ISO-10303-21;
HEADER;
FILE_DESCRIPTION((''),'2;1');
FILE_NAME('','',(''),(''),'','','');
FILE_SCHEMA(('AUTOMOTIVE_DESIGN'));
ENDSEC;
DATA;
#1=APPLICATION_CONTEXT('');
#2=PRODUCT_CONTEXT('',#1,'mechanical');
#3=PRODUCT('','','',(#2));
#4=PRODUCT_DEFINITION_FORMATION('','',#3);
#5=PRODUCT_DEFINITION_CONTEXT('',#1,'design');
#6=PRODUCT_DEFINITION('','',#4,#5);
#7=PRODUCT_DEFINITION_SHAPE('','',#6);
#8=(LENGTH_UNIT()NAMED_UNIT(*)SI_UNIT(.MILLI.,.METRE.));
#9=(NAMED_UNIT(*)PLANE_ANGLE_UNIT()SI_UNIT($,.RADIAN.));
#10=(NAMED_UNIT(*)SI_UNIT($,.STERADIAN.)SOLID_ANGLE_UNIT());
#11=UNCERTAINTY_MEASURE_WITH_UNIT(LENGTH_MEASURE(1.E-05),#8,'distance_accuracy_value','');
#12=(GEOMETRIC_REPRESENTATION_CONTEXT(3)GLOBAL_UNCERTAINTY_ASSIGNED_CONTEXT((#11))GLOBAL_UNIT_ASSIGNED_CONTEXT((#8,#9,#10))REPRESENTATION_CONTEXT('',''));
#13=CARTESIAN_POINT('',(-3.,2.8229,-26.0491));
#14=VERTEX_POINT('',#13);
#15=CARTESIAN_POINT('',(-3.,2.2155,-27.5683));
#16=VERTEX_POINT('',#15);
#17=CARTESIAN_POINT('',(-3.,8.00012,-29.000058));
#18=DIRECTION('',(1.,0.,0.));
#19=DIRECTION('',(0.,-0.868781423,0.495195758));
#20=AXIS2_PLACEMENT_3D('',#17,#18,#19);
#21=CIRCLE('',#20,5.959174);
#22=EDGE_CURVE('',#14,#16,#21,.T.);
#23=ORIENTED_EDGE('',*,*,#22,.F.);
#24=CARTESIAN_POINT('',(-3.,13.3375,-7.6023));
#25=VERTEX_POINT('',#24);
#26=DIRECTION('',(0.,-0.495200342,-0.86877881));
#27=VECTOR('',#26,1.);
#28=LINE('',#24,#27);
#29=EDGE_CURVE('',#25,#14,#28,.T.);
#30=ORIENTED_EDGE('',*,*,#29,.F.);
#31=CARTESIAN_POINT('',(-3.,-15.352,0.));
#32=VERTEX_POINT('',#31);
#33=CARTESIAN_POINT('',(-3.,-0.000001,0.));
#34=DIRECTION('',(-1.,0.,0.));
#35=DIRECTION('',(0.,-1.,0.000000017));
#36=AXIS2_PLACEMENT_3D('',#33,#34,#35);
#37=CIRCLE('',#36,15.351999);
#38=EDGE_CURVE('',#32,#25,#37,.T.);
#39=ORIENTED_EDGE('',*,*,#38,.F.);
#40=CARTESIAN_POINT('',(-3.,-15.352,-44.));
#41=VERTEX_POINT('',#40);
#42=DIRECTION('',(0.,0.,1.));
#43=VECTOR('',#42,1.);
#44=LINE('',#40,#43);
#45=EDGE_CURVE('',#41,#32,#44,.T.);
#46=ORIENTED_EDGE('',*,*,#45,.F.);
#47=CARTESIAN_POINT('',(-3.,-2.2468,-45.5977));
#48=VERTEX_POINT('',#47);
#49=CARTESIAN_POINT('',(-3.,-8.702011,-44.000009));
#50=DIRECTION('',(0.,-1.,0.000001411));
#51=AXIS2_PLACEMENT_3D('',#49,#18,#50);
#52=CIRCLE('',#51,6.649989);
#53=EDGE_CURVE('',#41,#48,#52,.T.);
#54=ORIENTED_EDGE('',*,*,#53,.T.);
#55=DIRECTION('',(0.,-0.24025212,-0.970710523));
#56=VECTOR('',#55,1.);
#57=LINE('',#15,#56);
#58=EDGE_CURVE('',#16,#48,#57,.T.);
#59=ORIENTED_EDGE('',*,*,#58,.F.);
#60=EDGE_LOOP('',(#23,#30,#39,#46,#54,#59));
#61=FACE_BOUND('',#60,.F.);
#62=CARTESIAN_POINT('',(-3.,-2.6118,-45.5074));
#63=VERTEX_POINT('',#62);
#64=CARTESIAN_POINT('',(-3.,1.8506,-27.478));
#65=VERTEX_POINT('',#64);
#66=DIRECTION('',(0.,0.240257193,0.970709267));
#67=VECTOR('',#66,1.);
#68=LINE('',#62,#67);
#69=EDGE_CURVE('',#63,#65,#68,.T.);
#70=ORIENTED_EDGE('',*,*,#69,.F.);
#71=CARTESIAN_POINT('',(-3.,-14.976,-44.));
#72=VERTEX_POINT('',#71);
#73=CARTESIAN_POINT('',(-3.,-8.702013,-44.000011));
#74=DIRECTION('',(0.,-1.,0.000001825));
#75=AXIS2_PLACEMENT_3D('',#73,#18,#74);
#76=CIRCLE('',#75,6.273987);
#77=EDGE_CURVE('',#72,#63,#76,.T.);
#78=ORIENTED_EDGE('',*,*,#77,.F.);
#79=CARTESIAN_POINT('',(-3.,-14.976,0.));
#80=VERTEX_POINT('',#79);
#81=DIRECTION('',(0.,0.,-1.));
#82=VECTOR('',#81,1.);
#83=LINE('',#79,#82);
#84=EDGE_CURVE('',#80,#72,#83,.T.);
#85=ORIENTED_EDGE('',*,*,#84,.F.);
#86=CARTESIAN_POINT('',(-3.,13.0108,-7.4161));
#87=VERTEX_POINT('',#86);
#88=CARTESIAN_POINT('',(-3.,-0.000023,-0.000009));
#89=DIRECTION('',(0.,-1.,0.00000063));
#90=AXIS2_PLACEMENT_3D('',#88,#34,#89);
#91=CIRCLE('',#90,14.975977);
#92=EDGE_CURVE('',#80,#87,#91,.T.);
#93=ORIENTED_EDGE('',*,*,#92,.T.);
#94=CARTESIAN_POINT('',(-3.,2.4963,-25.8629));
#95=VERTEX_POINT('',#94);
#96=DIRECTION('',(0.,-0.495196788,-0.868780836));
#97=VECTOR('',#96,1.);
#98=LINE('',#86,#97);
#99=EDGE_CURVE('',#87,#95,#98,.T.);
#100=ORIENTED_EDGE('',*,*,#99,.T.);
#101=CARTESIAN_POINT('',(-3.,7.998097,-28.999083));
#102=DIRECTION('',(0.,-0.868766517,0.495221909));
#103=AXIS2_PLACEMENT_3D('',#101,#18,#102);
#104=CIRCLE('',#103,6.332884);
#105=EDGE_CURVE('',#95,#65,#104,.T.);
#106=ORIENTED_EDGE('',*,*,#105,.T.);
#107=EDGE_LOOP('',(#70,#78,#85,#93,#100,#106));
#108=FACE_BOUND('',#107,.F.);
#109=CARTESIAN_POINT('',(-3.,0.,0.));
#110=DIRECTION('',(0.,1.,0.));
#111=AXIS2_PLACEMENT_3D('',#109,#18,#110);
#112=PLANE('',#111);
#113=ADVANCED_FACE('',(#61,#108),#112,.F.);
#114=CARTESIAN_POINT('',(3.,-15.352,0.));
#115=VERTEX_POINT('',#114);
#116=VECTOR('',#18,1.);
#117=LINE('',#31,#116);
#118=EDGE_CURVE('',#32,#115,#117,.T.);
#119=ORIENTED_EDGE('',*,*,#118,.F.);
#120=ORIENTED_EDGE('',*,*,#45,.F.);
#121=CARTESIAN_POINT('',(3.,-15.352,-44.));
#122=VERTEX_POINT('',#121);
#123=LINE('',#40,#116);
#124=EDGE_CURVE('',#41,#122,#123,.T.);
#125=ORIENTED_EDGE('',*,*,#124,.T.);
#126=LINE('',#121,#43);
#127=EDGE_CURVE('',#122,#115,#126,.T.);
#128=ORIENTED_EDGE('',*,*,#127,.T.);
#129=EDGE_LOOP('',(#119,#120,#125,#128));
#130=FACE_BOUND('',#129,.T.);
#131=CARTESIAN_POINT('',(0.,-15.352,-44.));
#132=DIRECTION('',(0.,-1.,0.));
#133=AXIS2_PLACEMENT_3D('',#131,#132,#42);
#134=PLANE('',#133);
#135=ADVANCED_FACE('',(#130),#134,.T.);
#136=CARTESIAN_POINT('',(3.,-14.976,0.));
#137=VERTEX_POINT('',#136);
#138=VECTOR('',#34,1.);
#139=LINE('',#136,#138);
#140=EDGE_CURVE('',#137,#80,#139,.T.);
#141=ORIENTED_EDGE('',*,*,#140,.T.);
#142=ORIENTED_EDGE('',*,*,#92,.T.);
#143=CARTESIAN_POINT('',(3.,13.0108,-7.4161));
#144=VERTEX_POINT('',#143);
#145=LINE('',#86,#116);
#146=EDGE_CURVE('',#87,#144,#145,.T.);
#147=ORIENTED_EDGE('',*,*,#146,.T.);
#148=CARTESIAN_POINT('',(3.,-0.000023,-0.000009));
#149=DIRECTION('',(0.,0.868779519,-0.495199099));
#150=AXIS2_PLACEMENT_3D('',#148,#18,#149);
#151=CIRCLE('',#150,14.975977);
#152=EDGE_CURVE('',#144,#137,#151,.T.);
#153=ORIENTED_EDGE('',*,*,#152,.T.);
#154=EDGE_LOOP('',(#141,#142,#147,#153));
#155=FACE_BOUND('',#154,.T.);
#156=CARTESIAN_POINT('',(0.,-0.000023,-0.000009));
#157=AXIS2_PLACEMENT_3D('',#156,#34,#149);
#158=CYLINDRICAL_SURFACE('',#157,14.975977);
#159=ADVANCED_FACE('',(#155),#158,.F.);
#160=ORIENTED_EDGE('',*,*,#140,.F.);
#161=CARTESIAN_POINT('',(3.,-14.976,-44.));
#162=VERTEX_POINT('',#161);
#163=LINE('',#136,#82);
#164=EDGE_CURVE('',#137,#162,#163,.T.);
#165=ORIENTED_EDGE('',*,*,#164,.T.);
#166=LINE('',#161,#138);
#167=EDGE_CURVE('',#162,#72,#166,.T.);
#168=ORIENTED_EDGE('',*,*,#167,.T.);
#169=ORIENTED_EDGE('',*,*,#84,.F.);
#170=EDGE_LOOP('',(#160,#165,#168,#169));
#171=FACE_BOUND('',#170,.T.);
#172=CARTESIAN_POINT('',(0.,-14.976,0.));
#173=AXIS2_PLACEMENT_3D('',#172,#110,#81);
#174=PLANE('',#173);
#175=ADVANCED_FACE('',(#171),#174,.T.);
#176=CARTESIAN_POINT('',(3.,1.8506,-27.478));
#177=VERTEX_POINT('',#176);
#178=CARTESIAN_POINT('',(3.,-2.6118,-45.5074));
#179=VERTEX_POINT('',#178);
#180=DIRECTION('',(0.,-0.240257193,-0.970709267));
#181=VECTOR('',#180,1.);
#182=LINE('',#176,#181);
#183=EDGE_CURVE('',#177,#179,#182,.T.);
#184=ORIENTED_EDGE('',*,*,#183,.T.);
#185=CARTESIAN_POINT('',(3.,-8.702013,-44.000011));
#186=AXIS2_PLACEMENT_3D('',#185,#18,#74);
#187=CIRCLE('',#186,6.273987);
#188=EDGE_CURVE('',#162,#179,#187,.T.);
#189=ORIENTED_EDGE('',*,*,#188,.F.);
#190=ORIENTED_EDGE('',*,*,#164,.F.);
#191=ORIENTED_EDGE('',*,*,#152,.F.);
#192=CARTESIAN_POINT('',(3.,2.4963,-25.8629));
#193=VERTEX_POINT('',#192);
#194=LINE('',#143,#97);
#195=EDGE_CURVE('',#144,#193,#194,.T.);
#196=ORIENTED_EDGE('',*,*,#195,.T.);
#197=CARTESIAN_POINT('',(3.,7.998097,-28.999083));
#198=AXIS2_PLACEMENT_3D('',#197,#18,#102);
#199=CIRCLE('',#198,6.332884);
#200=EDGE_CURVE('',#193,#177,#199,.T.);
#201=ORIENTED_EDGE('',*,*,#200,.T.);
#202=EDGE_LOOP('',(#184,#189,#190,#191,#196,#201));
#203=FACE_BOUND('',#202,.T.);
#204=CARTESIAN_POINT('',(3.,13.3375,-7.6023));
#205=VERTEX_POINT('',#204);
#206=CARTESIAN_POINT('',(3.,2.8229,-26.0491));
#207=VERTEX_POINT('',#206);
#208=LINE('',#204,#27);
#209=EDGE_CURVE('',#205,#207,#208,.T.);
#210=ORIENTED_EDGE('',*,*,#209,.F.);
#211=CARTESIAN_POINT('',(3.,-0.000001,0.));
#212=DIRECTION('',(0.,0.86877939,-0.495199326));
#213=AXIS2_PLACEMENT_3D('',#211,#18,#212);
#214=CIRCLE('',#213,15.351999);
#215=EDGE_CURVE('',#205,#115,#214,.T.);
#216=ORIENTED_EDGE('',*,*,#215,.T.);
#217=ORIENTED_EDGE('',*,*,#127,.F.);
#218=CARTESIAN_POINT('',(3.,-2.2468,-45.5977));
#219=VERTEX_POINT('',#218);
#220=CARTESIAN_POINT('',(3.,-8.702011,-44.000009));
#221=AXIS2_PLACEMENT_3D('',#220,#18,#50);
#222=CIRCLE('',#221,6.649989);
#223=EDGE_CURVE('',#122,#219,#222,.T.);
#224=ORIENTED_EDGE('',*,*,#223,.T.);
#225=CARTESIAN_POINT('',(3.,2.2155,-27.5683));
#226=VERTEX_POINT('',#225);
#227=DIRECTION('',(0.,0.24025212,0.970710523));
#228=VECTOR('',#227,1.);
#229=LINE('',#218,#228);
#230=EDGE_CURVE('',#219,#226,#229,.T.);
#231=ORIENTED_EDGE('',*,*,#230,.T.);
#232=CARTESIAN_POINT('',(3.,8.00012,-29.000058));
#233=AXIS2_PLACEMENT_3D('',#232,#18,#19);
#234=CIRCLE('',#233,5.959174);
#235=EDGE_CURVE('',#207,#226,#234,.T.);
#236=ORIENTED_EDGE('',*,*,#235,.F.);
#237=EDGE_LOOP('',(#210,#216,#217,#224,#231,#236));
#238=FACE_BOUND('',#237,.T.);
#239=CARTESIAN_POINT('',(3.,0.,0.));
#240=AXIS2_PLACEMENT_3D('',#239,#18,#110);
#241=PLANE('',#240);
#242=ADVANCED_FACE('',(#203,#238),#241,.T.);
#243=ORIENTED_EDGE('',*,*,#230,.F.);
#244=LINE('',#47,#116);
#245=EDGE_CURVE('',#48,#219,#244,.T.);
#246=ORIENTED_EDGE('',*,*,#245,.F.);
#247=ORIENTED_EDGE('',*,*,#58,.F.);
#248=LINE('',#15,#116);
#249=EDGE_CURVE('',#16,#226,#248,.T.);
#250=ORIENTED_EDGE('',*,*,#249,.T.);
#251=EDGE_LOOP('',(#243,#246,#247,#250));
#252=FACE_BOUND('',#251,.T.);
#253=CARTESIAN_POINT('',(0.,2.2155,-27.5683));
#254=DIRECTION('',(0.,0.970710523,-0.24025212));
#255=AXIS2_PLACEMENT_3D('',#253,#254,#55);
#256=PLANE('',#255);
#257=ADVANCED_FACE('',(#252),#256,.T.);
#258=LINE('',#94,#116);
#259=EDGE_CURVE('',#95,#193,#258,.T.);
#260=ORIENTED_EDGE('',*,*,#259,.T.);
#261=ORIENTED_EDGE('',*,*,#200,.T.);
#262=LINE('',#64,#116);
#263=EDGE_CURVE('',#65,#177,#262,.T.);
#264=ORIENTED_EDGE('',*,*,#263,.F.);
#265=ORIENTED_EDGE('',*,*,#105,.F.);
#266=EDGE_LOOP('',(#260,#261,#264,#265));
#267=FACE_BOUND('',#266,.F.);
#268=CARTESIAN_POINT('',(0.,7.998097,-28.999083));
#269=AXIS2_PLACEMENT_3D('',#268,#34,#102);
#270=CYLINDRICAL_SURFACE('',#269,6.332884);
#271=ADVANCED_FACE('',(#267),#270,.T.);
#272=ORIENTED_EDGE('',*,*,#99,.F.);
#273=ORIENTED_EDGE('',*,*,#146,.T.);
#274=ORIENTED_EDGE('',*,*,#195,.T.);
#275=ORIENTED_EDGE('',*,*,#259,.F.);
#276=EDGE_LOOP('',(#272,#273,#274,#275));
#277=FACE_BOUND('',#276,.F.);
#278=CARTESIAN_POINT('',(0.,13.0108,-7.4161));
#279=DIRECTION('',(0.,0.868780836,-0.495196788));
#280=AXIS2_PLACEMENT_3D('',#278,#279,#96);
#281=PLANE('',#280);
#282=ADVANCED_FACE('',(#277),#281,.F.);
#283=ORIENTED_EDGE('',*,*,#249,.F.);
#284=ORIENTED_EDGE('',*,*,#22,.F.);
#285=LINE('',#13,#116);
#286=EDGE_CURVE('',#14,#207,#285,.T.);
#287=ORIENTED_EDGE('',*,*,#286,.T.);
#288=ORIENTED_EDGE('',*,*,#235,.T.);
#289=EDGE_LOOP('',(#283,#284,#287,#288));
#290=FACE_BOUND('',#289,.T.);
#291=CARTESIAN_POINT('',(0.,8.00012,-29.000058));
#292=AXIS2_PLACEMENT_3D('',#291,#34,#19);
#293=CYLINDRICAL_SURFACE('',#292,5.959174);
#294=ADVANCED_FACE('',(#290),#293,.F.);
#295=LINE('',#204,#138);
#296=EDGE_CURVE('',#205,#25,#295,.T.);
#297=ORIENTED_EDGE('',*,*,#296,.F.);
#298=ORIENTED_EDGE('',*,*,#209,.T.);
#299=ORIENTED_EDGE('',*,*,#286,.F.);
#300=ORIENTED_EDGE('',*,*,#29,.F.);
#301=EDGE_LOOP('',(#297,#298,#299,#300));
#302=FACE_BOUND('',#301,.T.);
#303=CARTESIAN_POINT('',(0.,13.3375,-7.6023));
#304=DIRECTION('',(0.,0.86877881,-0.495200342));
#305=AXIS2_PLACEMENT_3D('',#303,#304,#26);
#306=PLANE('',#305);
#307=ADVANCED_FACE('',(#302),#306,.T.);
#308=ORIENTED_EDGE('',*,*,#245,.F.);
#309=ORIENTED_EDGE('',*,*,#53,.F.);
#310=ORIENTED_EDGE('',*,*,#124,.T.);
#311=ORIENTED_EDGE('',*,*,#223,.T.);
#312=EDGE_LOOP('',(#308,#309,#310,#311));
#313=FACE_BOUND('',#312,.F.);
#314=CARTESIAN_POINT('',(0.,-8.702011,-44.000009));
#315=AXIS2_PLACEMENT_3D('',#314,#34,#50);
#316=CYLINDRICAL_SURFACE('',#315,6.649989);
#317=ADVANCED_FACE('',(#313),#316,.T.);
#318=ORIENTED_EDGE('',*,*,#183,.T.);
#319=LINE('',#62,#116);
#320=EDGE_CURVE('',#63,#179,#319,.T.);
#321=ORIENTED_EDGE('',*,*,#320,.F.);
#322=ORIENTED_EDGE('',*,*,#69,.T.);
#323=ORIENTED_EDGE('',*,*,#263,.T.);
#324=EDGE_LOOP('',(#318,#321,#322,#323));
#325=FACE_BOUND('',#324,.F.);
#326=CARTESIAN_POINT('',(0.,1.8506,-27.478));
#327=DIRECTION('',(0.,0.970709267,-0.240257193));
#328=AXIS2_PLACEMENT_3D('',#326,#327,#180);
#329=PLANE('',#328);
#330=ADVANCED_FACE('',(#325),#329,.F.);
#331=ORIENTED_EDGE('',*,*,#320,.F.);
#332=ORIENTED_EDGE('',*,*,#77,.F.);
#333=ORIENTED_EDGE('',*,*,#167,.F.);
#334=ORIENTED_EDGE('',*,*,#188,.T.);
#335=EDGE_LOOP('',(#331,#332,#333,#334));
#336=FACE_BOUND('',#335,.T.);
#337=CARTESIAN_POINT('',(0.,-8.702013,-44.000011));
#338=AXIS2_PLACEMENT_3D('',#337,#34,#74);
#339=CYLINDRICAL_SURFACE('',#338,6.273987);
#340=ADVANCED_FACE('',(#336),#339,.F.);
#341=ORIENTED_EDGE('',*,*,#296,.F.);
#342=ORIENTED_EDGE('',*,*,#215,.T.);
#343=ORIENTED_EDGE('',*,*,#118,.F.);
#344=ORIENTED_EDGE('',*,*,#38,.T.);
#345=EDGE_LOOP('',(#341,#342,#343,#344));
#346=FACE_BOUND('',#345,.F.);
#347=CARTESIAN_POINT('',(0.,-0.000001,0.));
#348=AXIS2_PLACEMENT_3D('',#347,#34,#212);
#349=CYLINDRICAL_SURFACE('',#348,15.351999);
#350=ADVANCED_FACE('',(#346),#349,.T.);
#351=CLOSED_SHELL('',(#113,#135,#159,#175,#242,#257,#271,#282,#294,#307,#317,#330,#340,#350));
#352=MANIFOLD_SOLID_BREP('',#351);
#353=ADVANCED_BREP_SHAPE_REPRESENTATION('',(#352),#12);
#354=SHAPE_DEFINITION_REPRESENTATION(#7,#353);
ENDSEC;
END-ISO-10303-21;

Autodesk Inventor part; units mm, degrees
ref_plane "YZ Plane" through (0, 0, 0) normal (1, 0, 0) x (0, 1, 0)
ref_plane "XZ Plane" through (0, 0, 0) normal (0, 1, 0) x (-1, 0, 0)
ref_plane "XY Plane" through (0, 0, 0) normal (0, 0, 1) x (1, 0, 0)
sketch "Sketch1" plane through (0, 0, 0) normal (1, 0, 0) x (0, 1, 0)
  arc A0 (13.0108, -7.4161) -> (-14.976, 0) centre (0, 0) ccw
  arc A1 (-14.976, -44) -> (-2.6118, -45.5074) centre (-8.702, -44) ccw
  arc A2 (2.4963, -25.8629) -> (1.8506, -27.478) centre (8, -29) ccw
  line L0 (0, -65.4344) -> (0, 32.8066) projected
  line L1 (1.8506, -27.478) -> (-2.6118, -45.5074)
  line L2 (13.0108, -7.4161) -> (2.4963, -25.8629)
  line L3 (-14.976, 0) -> (-14.976, -44)
  arc A3 (13.3375, -7.6023) -> (-15.352, 0) centre (0, 0) ccw
  line L4 (13.3375, -7.6023) -> (2.8229, -26.0491)
  arc A4 (2.8229, -26.0491) -> (2.2155, -27.5683) centre (8, -29) ccw
  line L5 (2.2155, -27.5683) -> (-2.2468, -45.5977)
  arc A5 (-15.352, -44) -> (-2.2468, -45.5977) centre (-8.702, -44) ccw
  line L6 (-15.352, -44) -> (-15.352, 0)
  dimension "d0" = 29.952
  dimension "d1" = 12.548
  dimension "d2" = 12.67
  dimension "d3" = 29
  dimension "d4" = 44
  dimension "d5" = 8.702
  dimension "d6" = 8
  dimension "d7" = 0.376
extrude "Extrusion1" add sketch "Sketch1" along normal mid plane 6 contours A0 L0 A3 L4 A4 L5 L1 A2 L2 | A0 L3 A1 L1 L0 L5 A5 L6 A3
properties part number "czesc2paska" material "Rubber"
